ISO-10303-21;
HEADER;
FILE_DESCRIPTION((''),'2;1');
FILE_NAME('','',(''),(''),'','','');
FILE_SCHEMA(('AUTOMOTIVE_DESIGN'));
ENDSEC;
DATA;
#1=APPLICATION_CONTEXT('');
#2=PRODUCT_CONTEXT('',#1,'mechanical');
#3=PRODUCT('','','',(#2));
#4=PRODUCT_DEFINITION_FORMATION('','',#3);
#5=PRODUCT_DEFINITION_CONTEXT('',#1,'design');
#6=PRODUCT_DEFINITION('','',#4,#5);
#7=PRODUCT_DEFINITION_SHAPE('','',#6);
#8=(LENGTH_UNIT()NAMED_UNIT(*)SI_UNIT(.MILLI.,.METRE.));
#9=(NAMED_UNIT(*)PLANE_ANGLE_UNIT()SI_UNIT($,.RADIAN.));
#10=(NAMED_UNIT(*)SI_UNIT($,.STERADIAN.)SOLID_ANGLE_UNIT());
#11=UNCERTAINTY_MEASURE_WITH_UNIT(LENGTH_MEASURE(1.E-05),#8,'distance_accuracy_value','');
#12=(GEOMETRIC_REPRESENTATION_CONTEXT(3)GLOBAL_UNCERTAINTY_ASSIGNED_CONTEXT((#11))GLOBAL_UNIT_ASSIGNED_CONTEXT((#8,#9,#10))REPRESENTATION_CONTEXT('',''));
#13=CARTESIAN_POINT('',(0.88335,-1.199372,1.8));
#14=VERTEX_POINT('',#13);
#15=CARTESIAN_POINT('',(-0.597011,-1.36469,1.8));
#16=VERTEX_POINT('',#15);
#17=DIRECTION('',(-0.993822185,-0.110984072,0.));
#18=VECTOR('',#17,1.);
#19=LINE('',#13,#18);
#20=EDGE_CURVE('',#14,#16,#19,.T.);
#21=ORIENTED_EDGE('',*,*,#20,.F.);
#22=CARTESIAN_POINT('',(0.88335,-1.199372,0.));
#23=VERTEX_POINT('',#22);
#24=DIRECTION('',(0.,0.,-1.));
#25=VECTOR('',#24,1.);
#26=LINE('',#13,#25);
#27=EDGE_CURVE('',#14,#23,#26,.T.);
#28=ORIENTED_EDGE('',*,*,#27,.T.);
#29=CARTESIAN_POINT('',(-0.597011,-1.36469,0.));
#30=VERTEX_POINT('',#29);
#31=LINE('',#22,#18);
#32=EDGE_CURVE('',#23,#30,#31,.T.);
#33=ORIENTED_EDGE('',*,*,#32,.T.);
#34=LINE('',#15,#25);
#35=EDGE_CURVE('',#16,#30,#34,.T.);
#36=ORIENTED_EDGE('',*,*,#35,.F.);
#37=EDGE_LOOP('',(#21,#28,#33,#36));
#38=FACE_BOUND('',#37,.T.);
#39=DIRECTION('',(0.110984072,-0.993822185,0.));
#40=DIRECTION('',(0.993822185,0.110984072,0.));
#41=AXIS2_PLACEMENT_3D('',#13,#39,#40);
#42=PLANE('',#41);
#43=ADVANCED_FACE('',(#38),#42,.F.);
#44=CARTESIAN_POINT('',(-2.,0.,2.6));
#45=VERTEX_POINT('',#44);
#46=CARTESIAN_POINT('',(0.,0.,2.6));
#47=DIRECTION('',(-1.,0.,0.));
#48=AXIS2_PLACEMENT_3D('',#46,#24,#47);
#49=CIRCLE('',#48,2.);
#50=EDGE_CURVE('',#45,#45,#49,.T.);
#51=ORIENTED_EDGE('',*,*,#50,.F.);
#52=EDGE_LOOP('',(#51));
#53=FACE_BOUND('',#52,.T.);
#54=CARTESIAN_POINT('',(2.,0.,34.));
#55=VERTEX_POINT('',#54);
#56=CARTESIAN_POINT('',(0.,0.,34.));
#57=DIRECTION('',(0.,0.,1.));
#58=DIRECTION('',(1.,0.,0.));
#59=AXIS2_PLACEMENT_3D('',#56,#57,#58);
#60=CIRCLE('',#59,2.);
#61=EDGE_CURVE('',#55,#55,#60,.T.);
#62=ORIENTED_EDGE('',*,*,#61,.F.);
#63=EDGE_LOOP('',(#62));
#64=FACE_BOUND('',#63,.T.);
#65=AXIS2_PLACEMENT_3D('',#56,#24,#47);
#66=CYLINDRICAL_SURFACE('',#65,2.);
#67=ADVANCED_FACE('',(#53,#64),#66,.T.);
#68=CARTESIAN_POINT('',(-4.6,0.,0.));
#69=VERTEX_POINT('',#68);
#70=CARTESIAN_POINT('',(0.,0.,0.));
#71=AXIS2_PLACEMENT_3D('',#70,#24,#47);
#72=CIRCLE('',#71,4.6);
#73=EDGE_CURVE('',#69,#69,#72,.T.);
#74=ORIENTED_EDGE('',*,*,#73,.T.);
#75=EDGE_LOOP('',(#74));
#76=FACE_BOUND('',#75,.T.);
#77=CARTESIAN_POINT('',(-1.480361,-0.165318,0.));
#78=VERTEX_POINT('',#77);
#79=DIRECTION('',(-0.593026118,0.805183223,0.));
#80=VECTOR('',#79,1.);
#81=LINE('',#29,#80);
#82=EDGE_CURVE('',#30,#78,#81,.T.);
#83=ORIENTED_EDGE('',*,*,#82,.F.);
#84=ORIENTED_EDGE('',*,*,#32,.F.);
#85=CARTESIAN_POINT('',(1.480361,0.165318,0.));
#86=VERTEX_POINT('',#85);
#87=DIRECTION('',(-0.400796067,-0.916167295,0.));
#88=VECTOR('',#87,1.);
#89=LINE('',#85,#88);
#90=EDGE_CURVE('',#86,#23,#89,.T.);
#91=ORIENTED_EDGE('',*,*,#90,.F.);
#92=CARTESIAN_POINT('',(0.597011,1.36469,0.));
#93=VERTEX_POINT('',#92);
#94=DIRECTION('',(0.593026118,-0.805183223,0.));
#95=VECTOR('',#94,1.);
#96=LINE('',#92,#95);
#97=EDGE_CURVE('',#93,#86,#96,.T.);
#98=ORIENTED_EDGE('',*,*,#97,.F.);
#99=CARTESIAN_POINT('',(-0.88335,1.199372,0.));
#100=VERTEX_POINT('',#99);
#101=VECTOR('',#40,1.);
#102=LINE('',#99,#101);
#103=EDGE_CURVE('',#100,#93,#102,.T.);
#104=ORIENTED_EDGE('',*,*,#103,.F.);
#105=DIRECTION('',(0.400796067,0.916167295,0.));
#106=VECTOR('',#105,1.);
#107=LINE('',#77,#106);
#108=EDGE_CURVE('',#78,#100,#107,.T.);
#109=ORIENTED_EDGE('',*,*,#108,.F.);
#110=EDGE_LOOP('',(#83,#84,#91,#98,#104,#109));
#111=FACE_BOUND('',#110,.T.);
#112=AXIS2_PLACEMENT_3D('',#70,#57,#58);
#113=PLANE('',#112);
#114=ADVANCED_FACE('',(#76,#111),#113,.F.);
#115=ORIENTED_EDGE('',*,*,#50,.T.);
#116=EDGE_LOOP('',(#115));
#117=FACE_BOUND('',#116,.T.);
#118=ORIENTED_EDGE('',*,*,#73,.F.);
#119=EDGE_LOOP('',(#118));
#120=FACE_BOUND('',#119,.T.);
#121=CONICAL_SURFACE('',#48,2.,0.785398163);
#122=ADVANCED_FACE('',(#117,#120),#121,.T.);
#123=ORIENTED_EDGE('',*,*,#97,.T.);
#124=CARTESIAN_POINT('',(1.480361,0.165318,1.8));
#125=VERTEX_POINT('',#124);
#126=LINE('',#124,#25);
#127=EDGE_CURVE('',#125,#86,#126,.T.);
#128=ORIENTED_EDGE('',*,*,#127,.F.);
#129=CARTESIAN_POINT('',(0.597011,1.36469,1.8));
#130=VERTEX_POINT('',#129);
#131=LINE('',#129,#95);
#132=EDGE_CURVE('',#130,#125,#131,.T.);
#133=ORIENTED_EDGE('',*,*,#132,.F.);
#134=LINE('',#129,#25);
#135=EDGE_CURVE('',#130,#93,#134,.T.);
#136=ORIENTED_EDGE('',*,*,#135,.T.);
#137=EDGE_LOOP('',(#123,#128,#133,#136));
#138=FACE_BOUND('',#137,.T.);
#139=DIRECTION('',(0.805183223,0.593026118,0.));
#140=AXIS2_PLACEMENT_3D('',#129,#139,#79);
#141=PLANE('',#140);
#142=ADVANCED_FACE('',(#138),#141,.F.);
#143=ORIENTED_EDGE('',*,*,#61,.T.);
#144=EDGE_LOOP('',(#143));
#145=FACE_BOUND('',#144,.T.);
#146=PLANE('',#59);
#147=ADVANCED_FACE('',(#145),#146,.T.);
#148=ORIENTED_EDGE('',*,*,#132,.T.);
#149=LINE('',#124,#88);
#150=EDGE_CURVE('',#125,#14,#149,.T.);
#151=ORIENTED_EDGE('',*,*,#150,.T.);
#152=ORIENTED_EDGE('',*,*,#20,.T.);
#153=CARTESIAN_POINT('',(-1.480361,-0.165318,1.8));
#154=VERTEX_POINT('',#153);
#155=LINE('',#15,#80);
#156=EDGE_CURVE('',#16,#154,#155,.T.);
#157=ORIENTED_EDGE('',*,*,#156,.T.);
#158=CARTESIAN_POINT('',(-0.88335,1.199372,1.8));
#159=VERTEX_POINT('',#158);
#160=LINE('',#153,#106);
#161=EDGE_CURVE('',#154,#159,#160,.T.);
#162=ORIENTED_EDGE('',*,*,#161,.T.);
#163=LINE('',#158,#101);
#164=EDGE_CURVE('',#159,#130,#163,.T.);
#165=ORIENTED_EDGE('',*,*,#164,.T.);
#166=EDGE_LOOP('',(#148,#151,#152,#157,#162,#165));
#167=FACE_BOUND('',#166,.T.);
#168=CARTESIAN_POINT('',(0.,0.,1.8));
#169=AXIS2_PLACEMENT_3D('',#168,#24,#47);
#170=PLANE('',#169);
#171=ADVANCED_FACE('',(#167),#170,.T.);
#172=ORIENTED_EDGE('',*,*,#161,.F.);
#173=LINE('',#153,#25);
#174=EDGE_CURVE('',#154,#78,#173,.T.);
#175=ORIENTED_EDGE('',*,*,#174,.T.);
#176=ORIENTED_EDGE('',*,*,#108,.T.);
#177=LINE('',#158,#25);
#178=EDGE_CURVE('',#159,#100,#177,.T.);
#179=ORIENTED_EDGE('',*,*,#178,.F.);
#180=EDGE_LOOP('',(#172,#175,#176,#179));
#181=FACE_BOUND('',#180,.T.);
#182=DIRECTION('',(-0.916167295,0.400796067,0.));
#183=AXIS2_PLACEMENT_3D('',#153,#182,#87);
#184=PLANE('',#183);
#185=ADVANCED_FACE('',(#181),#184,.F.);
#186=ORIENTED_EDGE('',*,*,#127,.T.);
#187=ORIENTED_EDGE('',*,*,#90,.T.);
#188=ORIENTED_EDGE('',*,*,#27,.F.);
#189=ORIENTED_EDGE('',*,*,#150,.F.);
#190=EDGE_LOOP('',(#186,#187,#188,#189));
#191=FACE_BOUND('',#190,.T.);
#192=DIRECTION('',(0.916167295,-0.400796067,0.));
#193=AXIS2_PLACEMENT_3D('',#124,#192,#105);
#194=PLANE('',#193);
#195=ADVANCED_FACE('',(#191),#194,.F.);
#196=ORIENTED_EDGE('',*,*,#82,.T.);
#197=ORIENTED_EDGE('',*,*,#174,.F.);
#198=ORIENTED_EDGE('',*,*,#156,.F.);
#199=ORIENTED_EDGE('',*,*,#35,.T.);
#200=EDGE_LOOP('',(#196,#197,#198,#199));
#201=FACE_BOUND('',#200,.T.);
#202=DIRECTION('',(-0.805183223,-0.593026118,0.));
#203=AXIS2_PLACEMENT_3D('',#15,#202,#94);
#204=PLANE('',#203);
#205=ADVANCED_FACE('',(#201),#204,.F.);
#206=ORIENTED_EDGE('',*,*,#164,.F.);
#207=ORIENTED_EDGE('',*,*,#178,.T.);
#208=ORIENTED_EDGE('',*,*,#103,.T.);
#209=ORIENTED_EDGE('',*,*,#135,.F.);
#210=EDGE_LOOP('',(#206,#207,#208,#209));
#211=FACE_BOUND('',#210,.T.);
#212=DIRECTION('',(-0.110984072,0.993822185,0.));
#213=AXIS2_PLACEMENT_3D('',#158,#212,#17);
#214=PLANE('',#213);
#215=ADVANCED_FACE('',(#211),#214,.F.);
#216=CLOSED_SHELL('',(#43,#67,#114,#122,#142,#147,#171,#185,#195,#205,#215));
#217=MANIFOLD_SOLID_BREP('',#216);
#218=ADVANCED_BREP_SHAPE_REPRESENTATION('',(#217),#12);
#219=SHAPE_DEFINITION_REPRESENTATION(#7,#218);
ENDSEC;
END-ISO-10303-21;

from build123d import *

# Parameters (mm, degrees)
SKETCH_1_R          = 2
EXTRUDE_1_DEPTH     = 34
CUT_EXTRUDE_1_DEPTH = 1.8


with BuildPart() as part:
    # 草图1 → 凸台-拉伸1 (new body)
    with BuildSketch(Plane.XY):
        Circle(SKETCH_1_R)
    extrude(amount=EXTRUDE_1_DEPTH)

    # 草图2 → 旋转1 (revolve)
    with BuildSketch(Plane(origin=(0, 0, 0), x_dir=(1, 0, 0), z_dir=(0, 1, 0)), mode=Mode.PRIVATE) as revolve_1_sk:
        Polygon((2, 0), (2, -2.6), (4.6, 0), align=None)
    revolve(revolve_1_sk.sketch.rotate(Axis((0, 0, 0), (0, 0, 1)), 180), axis=Axis((0, 0, 0), (0, 0, 1)))

    # 草图3 → 切除-拉伸1 (cut)
    with BuildSketch(Plane(origin=(0, 0, 0), x_dir=(-1, 0, 0), z_dir=(0, 0, -1))):
        Polygon((-0.59701127, 1.364689541), (-1.480361446, 0.165317844), (-0.883350176, -1.199371697), (0.59701127, -1.364689541), (1.480361446, -0.165317844), (0.883350176, 1.199371697), align=None)
    extrude(amount=-CUT_EXTRUDE_1_DEPTH, mode=Mode.SUBTRACT)


solid = part.part
